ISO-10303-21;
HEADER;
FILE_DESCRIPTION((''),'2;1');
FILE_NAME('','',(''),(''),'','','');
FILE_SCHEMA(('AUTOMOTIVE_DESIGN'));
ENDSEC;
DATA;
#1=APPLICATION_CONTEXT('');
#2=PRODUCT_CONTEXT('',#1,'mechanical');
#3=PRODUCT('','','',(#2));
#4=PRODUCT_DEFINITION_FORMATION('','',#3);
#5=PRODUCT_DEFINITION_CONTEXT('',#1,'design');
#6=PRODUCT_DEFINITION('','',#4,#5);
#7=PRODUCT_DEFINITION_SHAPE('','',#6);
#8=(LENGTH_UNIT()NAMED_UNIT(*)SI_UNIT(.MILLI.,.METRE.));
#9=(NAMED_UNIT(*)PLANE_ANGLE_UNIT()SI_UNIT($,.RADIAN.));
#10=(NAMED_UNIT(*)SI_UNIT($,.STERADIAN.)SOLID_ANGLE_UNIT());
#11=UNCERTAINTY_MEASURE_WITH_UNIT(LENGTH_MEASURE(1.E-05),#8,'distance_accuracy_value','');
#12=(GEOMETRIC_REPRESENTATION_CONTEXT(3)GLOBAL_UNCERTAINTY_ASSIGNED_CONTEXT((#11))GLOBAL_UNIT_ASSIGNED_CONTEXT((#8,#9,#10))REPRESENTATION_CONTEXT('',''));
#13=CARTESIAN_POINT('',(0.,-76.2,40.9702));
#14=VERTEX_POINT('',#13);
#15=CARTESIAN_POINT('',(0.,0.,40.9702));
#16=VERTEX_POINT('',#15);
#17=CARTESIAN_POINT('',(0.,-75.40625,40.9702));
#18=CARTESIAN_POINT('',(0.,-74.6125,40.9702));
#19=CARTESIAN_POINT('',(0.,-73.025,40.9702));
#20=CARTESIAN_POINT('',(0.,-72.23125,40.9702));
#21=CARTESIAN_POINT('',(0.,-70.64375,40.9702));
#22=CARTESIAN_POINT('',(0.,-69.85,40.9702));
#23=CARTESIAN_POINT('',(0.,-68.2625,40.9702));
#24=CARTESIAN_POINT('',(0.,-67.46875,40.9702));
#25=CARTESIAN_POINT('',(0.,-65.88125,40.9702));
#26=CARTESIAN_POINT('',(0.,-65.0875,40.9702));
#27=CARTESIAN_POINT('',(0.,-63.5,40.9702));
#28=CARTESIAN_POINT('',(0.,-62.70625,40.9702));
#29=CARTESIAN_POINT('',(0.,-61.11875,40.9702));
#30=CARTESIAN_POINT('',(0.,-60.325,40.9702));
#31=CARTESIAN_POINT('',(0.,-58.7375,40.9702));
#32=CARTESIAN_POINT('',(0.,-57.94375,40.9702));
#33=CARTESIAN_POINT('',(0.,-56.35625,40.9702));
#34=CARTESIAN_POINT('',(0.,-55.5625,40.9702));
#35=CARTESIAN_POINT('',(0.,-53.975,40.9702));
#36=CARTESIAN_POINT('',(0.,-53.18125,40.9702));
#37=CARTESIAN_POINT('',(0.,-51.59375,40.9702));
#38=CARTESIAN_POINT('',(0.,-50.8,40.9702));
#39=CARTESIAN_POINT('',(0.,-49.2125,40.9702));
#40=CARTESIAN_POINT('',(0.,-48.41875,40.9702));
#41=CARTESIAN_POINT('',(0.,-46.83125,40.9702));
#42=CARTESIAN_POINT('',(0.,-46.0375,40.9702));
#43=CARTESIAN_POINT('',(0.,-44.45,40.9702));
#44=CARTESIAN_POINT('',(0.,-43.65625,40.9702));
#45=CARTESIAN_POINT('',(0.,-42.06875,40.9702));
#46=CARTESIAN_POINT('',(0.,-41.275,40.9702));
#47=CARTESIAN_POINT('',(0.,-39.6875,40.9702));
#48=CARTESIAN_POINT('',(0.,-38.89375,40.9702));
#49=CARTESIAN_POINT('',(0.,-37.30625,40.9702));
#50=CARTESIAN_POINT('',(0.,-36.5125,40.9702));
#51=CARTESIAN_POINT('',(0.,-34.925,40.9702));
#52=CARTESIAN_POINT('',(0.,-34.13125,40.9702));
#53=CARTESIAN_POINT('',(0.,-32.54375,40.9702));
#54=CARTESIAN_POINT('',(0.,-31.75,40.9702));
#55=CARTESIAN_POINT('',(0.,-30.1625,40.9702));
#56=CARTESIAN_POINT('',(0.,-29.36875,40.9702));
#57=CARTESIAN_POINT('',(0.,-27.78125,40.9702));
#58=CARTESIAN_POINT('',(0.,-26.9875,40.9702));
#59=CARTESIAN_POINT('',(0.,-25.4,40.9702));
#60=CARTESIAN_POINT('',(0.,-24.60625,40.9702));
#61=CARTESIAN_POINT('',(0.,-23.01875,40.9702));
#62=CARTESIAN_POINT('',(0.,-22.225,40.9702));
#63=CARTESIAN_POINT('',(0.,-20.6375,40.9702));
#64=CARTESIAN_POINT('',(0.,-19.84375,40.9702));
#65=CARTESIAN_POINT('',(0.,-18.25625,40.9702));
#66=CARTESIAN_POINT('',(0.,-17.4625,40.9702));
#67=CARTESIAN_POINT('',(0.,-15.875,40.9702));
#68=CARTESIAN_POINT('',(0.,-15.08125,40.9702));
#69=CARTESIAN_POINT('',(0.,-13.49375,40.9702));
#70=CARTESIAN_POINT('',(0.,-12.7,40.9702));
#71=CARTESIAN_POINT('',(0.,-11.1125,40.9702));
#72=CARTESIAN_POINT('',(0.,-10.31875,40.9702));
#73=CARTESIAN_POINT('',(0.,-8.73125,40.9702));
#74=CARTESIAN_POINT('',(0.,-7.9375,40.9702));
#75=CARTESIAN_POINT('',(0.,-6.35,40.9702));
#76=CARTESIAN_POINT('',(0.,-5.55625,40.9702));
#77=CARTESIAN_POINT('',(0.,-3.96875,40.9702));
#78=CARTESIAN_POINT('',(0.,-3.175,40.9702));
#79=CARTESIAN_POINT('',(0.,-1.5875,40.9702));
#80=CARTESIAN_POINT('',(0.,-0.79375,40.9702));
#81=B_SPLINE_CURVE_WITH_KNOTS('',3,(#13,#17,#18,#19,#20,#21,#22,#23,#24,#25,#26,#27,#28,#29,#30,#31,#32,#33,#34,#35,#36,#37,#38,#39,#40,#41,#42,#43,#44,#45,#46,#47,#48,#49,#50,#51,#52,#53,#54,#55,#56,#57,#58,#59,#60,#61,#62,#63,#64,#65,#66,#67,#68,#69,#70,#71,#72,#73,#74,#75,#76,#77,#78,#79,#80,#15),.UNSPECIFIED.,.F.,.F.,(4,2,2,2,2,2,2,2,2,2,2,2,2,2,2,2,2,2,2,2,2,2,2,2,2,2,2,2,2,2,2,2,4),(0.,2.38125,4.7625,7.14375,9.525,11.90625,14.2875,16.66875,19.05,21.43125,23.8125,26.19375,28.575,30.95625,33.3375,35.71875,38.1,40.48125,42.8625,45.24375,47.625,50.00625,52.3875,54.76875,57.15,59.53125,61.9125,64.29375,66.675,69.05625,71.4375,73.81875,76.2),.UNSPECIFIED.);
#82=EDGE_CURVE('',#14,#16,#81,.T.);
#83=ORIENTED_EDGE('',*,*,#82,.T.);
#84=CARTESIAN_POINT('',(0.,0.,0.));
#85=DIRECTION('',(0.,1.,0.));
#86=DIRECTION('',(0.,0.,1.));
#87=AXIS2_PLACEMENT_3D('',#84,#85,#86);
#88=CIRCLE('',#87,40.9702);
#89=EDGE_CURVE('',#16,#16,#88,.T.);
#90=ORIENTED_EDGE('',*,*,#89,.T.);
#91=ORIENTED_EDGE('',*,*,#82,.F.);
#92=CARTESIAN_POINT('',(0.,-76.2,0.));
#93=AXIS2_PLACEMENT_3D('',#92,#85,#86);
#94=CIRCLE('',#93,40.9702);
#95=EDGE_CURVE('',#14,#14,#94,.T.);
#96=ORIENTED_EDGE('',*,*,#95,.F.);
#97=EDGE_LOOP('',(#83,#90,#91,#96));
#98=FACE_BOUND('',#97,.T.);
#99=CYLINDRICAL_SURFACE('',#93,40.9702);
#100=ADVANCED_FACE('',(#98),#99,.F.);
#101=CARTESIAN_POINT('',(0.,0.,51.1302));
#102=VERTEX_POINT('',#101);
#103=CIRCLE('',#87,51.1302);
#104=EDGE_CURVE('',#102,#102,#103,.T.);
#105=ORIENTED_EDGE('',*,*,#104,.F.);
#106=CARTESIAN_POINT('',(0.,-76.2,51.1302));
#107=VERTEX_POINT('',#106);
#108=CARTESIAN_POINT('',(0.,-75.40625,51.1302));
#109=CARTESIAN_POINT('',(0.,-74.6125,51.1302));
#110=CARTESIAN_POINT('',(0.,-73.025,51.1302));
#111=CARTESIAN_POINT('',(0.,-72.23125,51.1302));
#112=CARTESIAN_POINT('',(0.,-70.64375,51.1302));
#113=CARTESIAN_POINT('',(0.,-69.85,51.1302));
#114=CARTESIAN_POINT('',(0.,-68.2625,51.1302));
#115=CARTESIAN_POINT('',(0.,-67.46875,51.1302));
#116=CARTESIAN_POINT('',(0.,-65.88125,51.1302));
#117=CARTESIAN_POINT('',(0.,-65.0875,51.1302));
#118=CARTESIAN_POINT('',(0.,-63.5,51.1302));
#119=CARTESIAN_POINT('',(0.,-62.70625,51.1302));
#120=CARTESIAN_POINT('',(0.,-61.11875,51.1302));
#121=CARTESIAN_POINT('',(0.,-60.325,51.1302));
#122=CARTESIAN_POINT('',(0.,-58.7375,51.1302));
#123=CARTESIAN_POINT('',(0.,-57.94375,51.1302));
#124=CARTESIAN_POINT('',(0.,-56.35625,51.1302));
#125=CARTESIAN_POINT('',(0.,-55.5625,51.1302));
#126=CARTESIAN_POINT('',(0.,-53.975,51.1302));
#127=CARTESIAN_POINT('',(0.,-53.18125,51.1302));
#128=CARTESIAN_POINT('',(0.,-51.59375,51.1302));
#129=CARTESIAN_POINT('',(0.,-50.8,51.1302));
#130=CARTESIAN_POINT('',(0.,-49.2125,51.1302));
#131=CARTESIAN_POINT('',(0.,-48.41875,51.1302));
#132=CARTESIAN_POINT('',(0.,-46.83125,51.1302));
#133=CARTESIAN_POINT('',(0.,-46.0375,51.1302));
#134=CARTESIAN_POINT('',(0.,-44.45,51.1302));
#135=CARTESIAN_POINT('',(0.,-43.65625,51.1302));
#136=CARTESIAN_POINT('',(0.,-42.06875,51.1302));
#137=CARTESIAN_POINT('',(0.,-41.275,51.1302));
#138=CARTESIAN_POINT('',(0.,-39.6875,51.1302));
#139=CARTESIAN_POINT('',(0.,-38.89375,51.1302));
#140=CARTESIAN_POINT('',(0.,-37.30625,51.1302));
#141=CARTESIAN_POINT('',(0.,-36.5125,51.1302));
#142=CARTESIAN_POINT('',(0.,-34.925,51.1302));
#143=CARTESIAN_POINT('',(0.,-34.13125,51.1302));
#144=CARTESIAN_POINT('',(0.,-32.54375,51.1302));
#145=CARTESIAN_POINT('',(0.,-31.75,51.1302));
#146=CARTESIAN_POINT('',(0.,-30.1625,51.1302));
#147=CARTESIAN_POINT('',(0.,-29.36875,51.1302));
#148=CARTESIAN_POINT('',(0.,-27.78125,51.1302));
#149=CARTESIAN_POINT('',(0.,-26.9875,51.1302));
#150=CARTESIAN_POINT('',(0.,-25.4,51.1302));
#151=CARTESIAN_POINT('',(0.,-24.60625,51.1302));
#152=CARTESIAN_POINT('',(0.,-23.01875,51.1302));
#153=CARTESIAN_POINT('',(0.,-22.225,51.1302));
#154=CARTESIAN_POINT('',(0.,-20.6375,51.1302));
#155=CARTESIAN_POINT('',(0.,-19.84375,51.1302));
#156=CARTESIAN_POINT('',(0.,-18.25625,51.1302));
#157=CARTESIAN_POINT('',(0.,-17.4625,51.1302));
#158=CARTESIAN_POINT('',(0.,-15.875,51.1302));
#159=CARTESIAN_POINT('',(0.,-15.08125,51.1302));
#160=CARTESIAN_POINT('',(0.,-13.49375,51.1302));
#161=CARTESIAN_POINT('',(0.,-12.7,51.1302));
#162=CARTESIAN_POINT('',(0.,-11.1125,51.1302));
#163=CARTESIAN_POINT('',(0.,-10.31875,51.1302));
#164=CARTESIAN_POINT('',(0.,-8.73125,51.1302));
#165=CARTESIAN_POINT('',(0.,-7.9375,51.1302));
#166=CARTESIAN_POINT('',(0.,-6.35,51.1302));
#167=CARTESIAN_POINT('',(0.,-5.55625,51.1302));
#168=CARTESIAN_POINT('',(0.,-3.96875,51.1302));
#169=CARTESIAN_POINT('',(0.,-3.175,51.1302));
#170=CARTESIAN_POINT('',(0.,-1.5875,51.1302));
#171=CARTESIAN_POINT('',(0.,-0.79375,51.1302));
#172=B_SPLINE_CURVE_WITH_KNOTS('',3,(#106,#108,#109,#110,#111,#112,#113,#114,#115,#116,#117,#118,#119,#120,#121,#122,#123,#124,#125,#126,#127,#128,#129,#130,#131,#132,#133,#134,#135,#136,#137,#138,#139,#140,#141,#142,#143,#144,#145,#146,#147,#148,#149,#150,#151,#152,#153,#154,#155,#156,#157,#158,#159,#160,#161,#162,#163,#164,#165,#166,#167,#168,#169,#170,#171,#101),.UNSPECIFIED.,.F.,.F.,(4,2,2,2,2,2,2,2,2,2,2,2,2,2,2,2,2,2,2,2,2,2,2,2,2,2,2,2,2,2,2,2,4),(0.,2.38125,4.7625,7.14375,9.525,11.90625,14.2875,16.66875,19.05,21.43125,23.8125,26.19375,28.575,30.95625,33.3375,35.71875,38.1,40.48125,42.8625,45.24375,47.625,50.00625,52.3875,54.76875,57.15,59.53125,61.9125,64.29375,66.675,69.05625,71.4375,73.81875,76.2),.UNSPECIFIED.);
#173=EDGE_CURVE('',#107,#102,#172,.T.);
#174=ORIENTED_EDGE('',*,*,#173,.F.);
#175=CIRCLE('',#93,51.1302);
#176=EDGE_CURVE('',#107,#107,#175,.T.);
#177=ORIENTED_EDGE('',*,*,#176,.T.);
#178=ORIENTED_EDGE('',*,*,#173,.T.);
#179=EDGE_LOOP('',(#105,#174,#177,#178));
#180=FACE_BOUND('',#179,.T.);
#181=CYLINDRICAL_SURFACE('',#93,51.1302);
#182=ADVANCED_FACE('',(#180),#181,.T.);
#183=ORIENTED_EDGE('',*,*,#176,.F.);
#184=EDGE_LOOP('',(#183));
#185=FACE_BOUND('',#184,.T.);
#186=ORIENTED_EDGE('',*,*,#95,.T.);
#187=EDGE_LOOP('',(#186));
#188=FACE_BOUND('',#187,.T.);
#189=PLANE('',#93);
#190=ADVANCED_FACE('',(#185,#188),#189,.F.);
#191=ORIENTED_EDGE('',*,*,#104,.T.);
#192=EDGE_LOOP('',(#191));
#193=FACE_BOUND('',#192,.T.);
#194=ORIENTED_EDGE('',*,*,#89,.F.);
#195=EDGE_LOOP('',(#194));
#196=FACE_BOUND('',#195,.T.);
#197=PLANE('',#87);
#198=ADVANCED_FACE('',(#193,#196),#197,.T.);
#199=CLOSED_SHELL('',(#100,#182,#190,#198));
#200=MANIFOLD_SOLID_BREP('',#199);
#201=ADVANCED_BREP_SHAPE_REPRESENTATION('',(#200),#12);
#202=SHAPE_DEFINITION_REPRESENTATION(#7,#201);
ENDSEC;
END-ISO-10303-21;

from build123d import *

# Parameters (mm, degrees)
SKETCH1_R      = 51.1302
SKETCH1_R_2    = 40.9702
ABLATIVE_DEPTH = 76.2


with BuildPart() as part:
    # Sketch1 → Ablative (new body)
    with BuildSketch(Plane(origin=(0, 0, 0), x_dir=(1, 0, 0), z_dir=(0, 1, 0))):
        Circle(SKETCH1_R)
        Circle(SKETCH1_R_2, mode=Mode.SUBTRACT)
    extrude(amount=-ABLATIVE_DEPTH)


solid = part.part
